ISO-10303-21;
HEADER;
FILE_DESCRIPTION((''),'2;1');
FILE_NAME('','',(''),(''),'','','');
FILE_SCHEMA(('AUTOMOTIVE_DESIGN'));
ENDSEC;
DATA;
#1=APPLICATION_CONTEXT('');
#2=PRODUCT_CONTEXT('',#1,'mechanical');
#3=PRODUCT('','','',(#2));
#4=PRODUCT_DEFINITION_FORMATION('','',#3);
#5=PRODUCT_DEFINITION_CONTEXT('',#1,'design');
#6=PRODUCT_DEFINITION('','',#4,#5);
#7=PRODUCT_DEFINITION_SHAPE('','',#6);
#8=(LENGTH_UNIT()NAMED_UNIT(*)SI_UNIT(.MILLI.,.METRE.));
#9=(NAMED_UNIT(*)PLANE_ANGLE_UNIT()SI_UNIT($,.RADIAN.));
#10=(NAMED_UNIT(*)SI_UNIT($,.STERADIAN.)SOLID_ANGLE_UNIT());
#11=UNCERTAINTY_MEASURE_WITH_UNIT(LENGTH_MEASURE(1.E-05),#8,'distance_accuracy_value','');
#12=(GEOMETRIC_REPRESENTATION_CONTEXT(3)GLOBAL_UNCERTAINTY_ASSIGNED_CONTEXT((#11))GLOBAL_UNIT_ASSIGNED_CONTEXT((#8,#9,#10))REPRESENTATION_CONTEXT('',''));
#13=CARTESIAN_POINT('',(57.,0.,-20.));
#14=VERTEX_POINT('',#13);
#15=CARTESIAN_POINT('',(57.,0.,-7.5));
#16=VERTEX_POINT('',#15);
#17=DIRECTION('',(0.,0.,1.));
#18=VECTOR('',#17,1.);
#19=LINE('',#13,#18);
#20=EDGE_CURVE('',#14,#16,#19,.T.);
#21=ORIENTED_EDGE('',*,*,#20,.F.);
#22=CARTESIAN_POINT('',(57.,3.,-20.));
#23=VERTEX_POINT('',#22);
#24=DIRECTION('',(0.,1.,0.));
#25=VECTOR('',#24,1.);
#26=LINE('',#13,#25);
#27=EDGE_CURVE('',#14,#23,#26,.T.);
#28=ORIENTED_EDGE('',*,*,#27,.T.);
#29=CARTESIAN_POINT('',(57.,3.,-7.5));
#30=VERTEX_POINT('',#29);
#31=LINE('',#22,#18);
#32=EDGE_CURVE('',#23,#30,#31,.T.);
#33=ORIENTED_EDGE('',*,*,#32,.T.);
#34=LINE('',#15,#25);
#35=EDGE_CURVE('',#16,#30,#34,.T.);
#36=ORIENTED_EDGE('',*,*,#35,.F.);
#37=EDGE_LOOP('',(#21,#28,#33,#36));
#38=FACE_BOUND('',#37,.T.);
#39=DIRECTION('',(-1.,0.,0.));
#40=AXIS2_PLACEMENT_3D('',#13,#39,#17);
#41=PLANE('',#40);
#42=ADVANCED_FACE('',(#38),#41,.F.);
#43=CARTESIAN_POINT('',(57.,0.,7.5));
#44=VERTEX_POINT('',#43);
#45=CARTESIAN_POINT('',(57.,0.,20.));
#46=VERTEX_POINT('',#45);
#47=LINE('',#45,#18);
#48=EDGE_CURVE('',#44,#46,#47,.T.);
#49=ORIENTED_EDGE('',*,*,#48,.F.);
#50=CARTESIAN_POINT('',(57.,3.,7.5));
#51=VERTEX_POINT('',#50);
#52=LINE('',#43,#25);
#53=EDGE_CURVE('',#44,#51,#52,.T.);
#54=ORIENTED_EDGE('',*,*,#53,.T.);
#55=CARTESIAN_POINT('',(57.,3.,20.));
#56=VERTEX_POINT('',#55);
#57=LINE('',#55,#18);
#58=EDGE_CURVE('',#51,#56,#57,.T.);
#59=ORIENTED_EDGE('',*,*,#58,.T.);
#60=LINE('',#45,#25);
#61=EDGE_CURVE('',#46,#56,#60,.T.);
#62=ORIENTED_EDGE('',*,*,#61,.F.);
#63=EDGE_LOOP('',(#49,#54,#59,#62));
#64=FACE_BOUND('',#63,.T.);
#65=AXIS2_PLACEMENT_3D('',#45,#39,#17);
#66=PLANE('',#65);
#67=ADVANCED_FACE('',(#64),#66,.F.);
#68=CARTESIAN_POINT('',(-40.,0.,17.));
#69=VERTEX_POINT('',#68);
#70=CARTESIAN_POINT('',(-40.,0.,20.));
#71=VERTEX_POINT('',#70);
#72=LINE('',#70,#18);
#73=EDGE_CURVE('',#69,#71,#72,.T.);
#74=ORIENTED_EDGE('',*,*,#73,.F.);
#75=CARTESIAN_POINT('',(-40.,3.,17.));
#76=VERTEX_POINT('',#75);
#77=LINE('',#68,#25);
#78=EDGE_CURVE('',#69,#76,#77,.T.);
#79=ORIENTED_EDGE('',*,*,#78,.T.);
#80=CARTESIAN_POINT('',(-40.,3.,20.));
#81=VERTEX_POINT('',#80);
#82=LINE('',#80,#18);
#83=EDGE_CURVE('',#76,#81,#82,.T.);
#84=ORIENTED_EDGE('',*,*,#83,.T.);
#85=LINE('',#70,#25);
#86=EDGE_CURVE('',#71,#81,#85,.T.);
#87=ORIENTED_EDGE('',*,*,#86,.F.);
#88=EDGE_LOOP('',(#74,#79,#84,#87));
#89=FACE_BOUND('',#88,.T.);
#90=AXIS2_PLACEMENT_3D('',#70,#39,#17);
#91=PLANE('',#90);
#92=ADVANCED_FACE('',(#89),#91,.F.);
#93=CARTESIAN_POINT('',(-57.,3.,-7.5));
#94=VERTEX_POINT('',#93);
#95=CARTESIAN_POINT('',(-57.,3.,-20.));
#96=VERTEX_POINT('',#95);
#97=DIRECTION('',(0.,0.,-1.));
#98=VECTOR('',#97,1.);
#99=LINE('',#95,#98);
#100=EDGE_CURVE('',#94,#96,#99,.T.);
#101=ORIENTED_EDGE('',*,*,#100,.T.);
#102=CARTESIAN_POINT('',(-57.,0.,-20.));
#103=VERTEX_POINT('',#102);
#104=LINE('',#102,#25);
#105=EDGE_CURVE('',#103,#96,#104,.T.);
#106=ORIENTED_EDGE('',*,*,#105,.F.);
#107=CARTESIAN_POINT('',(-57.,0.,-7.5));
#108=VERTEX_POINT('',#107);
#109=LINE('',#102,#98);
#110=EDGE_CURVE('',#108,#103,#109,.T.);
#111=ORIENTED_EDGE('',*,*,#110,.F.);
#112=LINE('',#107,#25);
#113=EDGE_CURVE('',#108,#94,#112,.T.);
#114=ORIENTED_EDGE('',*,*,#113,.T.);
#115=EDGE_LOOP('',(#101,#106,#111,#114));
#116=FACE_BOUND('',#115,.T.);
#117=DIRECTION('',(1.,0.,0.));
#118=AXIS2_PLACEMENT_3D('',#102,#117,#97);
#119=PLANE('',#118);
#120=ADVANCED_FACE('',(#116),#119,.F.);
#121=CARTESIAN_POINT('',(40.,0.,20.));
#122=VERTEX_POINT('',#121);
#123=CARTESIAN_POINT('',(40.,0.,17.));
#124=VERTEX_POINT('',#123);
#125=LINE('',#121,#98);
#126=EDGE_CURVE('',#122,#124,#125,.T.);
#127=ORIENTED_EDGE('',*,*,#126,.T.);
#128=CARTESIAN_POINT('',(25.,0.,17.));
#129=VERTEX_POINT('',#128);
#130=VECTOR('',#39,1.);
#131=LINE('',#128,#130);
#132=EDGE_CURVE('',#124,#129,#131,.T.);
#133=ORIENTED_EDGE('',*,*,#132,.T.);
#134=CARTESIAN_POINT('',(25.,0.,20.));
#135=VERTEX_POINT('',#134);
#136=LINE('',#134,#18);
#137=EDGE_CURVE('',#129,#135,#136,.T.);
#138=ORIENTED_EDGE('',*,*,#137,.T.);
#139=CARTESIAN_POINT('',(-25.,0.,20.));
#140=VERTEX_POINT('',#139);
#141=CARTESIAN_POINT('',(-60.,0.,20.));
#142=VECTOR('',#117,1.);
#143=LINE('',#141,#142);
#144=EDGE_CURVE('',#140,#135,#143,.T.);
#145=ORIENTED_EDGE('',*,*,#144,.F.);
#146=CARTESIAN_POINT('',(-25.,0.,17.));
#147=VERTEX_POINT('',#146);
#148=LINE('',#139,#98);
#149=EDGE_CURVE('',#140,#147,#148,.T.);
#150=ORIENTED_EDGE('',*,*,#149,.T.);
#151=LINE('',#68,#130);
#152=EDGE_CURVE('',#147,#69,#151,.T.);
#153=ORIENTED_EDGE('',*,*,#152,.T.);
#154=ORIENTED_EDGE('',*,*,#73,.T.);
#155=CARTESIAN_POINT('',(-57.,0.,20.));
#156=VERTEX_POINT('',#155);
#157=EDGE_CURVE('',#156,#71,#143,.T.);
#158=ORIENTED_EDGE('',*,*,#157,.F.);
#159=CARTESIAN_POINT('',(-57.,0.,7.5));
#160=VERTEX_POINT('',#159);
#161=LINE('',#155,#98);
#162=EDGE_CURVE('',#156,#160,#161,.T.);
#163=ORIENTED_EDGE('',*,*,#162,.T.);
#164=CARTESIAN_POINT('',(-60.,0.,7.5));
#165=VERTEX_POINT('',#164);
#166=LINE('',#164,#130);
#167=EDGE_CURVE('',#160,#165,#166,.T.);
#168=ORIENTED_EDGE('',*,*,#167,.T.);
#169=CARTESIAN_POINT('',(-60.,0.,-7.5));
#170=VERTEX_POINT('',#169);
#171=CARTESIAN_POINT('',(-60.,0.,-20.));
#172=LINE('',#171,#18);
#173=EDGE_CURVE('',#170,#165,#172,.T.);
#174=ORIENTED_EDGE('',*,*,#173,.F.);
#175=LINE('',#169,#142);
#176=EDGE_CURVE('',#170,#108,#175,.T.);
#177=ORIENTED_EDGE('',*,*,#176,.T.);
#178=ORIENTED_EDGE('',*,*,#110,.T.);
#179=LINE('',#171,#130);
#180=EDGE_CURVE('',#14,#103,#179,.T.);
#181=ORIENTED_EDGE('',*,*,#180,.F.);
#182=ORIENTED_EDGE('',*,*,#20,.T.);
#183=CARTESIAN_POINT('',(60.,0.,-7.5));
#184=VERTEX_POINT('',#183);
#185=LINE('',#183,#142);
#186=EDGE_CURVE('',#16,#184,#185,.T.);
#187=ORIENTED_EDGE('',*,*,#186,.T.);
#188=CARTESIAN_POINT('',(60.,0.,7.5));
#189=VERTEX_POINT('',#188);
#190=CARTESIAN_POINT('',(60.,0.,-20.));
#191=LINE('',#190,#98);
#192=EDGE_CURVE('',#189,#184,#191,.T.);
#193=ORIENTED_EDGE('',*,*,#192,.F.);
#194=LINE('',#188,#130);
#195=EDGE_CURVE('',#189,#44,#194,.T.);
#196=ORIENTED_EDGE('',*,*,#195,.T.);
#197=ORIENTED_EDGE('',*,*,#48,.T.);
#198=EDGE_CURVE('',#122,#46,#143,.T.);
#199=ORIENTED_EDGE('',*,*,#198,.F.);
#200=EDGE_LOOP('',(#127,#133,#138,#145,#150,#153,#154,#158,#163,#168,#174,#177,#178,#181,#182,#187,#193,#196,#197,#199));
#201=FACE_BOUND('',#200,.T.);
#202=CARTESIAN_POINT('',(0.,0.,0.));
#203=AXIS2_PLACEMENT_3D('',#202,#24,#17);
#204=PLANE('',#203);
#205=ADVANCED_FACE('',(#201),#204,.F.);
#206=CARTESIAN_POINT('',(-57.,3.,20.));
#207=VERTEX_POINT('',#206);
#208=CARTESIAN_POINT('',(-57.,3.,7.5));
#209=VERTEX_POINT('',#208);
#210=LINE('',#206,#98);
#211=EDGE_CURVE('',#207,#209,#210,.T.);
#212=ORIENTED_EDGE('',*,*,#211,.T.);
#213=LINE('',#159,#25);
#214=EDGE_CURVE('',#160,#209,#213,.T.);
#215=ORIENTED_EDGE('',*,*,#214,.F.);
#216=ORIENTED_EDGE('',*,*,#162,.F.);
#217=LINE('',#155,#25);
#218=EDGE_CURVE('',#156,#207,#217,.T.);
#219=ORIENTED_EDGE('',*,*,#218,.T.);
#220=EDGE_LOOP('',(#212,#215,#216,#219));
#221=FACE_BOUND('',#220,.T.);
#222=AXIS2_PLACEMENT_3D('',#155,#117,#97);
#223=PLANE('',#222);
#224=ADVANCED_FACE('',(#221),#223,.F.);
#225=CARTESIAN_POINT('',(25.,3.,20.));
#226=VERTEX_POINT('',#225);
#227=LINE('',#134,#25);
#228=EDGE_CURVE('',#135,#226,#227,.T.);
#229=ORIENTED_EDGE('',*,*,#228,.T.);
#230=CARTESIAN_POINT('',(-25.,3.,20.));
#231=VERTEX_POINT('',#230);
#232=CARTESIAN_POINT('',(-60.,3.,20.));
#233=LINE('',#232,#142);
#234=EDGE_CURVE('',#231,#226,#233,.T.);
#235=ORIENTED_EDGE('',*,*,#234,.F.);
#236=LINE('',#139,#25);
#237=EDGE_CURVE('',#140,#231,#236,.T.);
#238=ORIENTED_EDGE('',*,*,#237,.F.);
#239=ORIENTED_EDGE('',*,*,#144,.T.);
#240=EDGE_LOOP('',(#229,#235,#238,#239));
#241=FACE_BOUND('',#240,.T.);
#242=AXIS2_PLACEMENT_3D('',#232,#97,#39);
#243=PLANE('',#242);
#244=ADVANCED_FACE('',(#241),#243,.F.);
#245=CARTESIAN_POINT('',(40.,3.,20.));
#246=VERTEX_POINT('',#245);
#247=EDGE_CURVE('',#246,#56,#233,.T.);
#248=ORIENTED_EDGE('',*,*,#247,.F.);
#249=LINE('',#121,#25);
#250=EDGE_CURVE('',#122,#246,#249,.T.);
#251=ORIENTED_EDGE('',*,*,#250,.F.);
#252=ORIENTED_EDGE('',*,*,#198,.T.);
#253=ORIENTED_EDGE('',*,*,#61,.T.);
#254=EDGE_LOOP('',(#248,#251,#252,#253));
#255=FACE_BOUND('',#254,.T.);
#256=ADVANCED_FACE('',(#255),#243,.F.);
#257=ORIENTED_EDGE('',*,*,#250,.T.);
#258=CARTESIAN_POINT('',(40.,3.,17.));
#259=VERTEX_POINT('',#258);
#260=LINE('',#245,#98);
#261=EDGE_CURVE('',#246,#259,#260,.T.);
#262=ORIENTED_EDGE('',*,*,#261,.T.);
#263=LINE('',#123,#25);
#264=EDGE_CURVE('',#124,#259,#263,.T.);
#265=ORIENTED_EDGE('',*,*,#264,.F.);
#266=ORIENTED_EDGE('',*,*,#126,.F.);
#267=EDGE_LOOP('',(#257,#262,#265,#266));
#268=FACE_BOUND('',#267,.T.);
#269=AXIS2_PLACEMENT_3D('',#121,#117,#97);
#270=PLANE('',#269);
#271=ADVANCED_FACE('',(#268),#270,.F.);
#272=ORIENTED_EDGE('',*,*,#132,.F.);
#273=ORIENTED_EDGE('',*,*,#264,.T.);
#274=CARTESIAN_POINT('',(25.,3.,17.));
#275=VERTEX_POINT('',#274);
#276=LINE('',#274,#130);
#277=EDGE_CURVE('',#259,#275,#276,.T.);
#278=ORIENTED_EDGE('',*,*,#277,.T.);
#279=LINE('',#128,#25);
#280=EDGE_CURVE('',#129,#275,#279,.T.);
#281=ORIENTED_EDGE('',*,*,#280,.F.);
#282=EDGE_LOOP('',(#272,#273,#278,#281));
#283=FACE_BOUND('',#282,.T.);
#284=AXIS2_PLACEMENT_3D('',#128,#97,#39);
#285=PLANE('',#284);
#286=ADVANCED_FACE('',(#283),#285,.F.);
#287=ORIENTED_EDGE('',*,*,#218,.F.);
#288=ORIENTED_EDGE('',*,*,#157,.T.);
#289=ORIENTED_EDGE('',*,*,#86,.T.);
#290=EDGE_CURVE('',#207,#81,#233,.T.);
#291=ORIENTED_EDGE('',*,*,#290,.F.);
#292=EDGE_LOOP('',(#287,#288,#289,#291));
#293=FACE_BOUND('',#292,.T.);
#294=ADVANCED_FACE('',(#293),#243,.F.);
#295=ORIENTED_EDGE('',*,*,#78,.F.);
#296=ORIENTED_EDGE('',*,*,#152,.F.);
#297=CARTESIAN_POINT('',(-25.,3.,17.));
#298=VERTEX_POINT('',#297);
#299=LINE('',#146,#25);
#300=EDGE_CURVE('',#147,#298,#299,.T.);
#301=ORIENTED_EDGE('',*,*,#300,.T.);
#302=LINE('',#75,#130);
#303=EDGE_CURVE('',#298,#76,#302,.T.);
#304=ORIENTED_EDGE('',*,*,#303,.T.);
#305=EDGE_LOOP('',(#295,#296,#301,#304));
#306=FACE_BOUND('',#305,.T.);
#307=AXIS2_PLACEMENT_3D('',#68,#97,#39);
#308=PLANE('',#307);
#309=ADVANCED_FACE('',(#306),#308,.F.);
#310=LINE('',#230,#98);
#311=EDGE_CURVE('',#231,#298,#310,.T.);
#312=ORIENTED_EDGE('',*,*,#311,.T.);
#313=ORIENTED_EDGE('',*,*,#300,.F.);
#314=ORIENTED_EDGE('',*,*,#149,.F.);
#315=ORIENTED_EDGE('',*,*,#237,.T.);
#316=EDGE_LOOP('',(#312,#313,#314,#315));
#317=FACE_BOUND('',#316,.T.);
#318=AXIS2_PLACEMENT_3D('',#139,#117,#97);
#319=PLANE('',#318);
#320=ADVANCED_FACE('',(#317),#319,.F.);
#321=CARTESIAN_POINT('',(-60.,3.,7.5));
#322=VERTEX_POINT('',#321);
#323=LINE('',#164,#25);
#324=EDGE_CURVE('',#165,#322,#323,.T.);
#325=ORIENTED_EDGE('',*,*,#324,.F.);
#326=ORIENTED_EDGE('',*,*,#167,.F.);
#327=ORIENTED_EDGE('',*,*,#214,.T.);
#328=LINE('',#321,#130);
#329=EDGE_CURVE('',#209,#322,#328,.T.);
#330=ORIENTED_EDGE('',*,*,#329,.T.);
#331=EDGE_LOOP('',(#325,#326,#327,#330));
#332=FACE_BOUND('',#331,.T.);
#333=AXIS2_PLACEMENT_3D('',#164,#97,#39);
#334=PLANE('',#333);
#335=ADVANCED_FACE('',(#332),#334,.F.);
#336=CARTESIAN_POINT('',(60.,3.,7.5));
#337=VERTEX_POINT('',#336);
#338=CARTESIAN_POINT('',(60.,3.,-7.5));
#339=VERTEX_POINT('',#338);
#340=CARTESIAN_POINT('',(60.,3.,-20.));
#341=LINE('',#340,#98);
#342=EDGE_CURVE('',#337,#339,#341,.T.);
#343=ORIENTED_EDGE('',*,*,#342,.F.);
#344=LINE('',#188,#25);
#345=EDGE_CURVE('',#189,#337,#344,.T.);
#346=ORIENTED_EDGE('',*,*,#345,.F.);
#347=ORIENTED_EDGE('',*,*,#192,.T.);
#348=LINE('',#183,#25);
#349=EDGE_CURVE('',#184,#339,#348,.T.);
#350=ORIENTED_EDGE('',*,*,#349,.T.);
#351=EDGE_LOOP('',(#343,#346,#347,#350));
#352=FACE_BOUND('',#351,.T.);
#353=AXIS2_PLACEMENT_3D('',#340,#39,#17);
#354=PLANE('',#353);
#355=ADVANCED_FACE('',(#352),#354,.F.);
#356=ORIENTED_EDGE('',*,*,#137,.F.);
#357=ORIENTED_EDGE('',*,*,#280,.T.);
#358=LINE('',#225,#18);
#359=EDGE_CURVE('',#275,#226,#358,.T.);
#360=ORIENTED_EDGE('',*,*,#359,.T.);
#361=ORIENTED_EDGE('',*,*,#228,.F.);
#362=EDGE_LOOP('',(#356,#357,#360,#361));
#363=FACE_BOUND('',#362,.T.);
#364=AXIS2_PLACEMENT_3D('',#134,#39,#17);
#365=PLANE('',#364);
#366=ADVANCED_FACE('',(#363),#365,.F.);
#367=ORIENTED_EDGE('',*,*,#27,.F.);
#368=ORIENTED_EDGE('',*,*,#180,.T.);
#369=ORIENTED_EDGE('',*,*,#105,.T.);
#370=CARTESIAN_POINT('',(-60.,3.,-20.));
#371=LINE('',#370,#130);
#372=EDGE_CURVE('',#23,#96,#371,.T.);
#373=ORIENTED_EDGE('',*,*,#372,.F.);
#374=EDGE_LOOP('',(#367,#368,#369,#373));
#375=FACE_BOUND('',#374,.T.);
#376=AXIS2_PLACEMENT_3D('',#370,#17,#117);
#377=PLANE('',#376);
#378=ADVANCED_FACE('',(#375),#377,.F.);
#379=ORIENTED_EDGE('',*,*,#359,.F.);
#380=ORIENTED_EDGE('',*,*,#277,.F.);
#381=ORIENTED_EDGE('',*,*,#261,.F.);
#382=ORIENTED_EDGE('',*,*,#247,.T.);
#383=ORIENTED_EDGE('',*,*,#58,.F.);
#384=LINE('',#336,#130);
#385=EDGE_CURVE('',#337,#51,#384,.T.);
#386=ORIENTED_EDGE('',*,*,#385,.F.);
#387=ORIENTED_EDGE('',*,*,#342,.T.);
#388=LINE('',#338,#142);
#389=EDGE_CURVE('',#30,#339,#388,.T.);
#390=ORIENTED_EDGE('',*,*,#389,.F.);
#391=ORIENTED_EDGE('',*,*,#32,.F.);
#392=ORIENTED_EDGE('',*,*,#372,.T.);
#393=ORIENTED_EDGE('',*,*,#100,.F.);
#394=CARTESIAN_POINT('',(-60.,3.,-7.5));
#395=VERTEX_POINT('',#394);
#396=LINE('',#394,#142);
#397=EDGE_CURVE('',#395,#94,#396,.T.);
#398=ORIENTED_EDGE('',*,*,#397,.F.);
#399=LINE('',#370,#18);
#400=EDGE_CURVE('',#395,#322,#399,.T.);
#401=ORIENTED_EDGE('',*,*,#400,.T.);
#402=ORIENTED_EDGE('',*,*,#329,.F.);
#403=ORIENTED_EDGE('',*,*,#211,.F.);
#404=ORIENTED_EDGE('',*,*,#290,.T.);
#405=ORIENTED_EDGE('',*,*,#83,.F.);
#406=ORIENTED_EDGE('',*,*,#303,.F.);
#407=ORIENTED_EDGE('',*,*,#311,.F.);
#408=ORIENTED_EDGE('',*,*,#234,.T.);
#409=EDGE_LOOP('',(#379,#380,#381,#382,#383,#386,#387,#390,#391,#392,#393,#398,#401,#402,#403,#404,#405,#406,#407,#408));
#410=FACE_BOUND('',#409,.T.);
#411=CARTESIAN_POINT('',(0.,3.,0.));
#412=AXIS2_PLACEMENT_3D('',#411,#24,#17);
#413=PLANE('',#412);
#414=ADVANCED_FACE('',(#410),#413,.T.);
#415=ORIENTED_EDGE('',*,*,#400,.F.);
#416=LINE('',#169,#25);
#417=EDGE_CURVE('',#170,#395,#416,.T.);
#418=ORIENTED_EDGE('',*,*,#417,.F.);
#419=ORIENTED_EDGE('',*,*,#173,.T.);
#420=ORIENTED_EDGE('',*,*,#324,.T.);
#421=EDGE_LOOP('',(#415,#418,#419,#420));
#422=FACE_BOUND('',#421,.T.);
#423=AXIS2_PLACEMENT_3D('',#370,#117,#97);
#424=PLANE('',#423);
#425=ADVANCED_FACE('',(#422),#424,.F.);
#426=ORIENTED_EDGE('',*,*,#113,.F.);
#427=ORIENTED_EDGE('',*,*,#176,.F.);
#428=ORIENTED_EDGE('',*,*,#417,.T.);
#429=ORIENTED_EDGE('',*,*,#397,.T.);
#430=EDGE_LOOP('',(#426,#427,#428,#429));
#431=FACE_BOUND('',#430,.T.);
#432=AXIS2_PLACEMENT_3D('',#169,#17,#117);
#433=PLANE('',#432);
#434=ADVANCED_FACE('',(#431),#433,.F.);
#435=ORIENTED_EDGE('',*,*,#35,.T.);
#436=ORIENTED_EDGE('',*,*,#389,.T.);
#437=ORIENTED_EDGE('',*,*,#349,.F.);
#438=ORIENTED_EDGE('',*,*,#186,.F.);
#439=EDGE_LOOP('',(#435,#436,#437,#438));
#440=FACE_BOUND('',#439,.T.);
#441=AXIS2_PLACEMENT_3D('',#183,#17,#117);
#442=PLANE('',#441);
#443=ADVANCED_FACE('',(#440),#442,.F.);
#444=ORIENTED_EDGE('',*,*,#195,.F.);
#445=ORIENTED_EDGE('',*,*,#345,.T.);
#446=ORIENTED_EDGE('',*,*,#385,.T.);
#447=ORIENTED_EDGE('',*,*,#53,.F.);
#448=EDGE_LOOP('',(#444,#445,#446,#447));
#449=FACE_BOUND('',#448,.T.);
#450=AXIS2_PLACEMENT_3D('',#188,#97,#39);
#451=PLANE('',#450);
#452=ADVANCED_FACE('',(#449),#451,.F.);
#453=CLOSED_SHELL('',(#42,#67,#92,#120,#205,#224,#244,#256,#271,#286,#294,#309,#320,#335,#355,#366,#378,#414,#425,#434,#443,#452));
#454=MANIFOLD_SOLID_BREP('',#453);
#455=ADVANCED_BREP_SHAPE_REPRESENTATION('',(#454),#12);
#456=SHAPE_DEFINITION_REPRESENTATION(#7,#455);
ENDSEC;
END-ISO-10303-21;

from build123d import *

# Parameters (mm, degrees)
SKETCH1_W           = 120
SKETCH1_H           = 40
BOSS_EXTRUDE1_DEPTH = 3
SKETCH2_W           = 3
SKETCH2_H           = 12.5
CUT_EXTRUDE1_DEPTH  = 64.316664473
SKETCH3_W           = 15
SKETCH3_H           = 3
CUT_EXTRUDE2_DEPTH  = 64.316664473


with BuildPart() as part:
    # Sketch1 → Boss-Extrude1 (new body)
    with BuildSketch(Plane(origin=(0, 0, 0), x_dir=(1, 0, 0), z_dir=(0, 1, 0))):
        Rectangle(SKETCH1_W, SKETCH1_H)
    extrude(amount=BOSS_EXTRUDE1_DEPTH)

    # Sketch2 → Cut-Extrude1 (cut, through all)
    with BuildSketch(Plane(origin=(0, 3, 0), x_dir=(1, 0, 0), z_dir=(0, 1, 0))):
        with Locations((-58.5, 13.75)):
            Rectangle(SKETCH2_W, SKETCH2_H)
        with Locations((-58.5, -13.75)):
            Rectangle(SKETCH2_W, SKETCH2_H)
        with Locations((58.5, 13.75)):
            Rectangle(SKETCH2_W, SKETCH2_H)
        with Locations((58.5, -13.75)):
            Rectangle(SKETCH2_W, SKETCH2_H)
    extrude(amount=-CUT_EXTRUDE1_DEPTH, mode=Mode.SUBTRACT)

    # Sketch3 → Cut-Extrude2 (cut, through all)
    with BuildSketch(Plane(origin=(0, 3, 0), x_dir=(1, 0, 0), z_dir=(0, 1, 0))):
        with Locations((-32.5, -18.5)):
            Rectangle(SKETCH3_W, SKETCH3_H)
        with Locations((32.5, -18.5)):
            Rectangle(SKETCH3_W, SKETCH3_H)
    extrude(amount=-CUT_EXTRUDE2_DEPTH, mode=Mode.SUBTRACT)


solid = part.part
